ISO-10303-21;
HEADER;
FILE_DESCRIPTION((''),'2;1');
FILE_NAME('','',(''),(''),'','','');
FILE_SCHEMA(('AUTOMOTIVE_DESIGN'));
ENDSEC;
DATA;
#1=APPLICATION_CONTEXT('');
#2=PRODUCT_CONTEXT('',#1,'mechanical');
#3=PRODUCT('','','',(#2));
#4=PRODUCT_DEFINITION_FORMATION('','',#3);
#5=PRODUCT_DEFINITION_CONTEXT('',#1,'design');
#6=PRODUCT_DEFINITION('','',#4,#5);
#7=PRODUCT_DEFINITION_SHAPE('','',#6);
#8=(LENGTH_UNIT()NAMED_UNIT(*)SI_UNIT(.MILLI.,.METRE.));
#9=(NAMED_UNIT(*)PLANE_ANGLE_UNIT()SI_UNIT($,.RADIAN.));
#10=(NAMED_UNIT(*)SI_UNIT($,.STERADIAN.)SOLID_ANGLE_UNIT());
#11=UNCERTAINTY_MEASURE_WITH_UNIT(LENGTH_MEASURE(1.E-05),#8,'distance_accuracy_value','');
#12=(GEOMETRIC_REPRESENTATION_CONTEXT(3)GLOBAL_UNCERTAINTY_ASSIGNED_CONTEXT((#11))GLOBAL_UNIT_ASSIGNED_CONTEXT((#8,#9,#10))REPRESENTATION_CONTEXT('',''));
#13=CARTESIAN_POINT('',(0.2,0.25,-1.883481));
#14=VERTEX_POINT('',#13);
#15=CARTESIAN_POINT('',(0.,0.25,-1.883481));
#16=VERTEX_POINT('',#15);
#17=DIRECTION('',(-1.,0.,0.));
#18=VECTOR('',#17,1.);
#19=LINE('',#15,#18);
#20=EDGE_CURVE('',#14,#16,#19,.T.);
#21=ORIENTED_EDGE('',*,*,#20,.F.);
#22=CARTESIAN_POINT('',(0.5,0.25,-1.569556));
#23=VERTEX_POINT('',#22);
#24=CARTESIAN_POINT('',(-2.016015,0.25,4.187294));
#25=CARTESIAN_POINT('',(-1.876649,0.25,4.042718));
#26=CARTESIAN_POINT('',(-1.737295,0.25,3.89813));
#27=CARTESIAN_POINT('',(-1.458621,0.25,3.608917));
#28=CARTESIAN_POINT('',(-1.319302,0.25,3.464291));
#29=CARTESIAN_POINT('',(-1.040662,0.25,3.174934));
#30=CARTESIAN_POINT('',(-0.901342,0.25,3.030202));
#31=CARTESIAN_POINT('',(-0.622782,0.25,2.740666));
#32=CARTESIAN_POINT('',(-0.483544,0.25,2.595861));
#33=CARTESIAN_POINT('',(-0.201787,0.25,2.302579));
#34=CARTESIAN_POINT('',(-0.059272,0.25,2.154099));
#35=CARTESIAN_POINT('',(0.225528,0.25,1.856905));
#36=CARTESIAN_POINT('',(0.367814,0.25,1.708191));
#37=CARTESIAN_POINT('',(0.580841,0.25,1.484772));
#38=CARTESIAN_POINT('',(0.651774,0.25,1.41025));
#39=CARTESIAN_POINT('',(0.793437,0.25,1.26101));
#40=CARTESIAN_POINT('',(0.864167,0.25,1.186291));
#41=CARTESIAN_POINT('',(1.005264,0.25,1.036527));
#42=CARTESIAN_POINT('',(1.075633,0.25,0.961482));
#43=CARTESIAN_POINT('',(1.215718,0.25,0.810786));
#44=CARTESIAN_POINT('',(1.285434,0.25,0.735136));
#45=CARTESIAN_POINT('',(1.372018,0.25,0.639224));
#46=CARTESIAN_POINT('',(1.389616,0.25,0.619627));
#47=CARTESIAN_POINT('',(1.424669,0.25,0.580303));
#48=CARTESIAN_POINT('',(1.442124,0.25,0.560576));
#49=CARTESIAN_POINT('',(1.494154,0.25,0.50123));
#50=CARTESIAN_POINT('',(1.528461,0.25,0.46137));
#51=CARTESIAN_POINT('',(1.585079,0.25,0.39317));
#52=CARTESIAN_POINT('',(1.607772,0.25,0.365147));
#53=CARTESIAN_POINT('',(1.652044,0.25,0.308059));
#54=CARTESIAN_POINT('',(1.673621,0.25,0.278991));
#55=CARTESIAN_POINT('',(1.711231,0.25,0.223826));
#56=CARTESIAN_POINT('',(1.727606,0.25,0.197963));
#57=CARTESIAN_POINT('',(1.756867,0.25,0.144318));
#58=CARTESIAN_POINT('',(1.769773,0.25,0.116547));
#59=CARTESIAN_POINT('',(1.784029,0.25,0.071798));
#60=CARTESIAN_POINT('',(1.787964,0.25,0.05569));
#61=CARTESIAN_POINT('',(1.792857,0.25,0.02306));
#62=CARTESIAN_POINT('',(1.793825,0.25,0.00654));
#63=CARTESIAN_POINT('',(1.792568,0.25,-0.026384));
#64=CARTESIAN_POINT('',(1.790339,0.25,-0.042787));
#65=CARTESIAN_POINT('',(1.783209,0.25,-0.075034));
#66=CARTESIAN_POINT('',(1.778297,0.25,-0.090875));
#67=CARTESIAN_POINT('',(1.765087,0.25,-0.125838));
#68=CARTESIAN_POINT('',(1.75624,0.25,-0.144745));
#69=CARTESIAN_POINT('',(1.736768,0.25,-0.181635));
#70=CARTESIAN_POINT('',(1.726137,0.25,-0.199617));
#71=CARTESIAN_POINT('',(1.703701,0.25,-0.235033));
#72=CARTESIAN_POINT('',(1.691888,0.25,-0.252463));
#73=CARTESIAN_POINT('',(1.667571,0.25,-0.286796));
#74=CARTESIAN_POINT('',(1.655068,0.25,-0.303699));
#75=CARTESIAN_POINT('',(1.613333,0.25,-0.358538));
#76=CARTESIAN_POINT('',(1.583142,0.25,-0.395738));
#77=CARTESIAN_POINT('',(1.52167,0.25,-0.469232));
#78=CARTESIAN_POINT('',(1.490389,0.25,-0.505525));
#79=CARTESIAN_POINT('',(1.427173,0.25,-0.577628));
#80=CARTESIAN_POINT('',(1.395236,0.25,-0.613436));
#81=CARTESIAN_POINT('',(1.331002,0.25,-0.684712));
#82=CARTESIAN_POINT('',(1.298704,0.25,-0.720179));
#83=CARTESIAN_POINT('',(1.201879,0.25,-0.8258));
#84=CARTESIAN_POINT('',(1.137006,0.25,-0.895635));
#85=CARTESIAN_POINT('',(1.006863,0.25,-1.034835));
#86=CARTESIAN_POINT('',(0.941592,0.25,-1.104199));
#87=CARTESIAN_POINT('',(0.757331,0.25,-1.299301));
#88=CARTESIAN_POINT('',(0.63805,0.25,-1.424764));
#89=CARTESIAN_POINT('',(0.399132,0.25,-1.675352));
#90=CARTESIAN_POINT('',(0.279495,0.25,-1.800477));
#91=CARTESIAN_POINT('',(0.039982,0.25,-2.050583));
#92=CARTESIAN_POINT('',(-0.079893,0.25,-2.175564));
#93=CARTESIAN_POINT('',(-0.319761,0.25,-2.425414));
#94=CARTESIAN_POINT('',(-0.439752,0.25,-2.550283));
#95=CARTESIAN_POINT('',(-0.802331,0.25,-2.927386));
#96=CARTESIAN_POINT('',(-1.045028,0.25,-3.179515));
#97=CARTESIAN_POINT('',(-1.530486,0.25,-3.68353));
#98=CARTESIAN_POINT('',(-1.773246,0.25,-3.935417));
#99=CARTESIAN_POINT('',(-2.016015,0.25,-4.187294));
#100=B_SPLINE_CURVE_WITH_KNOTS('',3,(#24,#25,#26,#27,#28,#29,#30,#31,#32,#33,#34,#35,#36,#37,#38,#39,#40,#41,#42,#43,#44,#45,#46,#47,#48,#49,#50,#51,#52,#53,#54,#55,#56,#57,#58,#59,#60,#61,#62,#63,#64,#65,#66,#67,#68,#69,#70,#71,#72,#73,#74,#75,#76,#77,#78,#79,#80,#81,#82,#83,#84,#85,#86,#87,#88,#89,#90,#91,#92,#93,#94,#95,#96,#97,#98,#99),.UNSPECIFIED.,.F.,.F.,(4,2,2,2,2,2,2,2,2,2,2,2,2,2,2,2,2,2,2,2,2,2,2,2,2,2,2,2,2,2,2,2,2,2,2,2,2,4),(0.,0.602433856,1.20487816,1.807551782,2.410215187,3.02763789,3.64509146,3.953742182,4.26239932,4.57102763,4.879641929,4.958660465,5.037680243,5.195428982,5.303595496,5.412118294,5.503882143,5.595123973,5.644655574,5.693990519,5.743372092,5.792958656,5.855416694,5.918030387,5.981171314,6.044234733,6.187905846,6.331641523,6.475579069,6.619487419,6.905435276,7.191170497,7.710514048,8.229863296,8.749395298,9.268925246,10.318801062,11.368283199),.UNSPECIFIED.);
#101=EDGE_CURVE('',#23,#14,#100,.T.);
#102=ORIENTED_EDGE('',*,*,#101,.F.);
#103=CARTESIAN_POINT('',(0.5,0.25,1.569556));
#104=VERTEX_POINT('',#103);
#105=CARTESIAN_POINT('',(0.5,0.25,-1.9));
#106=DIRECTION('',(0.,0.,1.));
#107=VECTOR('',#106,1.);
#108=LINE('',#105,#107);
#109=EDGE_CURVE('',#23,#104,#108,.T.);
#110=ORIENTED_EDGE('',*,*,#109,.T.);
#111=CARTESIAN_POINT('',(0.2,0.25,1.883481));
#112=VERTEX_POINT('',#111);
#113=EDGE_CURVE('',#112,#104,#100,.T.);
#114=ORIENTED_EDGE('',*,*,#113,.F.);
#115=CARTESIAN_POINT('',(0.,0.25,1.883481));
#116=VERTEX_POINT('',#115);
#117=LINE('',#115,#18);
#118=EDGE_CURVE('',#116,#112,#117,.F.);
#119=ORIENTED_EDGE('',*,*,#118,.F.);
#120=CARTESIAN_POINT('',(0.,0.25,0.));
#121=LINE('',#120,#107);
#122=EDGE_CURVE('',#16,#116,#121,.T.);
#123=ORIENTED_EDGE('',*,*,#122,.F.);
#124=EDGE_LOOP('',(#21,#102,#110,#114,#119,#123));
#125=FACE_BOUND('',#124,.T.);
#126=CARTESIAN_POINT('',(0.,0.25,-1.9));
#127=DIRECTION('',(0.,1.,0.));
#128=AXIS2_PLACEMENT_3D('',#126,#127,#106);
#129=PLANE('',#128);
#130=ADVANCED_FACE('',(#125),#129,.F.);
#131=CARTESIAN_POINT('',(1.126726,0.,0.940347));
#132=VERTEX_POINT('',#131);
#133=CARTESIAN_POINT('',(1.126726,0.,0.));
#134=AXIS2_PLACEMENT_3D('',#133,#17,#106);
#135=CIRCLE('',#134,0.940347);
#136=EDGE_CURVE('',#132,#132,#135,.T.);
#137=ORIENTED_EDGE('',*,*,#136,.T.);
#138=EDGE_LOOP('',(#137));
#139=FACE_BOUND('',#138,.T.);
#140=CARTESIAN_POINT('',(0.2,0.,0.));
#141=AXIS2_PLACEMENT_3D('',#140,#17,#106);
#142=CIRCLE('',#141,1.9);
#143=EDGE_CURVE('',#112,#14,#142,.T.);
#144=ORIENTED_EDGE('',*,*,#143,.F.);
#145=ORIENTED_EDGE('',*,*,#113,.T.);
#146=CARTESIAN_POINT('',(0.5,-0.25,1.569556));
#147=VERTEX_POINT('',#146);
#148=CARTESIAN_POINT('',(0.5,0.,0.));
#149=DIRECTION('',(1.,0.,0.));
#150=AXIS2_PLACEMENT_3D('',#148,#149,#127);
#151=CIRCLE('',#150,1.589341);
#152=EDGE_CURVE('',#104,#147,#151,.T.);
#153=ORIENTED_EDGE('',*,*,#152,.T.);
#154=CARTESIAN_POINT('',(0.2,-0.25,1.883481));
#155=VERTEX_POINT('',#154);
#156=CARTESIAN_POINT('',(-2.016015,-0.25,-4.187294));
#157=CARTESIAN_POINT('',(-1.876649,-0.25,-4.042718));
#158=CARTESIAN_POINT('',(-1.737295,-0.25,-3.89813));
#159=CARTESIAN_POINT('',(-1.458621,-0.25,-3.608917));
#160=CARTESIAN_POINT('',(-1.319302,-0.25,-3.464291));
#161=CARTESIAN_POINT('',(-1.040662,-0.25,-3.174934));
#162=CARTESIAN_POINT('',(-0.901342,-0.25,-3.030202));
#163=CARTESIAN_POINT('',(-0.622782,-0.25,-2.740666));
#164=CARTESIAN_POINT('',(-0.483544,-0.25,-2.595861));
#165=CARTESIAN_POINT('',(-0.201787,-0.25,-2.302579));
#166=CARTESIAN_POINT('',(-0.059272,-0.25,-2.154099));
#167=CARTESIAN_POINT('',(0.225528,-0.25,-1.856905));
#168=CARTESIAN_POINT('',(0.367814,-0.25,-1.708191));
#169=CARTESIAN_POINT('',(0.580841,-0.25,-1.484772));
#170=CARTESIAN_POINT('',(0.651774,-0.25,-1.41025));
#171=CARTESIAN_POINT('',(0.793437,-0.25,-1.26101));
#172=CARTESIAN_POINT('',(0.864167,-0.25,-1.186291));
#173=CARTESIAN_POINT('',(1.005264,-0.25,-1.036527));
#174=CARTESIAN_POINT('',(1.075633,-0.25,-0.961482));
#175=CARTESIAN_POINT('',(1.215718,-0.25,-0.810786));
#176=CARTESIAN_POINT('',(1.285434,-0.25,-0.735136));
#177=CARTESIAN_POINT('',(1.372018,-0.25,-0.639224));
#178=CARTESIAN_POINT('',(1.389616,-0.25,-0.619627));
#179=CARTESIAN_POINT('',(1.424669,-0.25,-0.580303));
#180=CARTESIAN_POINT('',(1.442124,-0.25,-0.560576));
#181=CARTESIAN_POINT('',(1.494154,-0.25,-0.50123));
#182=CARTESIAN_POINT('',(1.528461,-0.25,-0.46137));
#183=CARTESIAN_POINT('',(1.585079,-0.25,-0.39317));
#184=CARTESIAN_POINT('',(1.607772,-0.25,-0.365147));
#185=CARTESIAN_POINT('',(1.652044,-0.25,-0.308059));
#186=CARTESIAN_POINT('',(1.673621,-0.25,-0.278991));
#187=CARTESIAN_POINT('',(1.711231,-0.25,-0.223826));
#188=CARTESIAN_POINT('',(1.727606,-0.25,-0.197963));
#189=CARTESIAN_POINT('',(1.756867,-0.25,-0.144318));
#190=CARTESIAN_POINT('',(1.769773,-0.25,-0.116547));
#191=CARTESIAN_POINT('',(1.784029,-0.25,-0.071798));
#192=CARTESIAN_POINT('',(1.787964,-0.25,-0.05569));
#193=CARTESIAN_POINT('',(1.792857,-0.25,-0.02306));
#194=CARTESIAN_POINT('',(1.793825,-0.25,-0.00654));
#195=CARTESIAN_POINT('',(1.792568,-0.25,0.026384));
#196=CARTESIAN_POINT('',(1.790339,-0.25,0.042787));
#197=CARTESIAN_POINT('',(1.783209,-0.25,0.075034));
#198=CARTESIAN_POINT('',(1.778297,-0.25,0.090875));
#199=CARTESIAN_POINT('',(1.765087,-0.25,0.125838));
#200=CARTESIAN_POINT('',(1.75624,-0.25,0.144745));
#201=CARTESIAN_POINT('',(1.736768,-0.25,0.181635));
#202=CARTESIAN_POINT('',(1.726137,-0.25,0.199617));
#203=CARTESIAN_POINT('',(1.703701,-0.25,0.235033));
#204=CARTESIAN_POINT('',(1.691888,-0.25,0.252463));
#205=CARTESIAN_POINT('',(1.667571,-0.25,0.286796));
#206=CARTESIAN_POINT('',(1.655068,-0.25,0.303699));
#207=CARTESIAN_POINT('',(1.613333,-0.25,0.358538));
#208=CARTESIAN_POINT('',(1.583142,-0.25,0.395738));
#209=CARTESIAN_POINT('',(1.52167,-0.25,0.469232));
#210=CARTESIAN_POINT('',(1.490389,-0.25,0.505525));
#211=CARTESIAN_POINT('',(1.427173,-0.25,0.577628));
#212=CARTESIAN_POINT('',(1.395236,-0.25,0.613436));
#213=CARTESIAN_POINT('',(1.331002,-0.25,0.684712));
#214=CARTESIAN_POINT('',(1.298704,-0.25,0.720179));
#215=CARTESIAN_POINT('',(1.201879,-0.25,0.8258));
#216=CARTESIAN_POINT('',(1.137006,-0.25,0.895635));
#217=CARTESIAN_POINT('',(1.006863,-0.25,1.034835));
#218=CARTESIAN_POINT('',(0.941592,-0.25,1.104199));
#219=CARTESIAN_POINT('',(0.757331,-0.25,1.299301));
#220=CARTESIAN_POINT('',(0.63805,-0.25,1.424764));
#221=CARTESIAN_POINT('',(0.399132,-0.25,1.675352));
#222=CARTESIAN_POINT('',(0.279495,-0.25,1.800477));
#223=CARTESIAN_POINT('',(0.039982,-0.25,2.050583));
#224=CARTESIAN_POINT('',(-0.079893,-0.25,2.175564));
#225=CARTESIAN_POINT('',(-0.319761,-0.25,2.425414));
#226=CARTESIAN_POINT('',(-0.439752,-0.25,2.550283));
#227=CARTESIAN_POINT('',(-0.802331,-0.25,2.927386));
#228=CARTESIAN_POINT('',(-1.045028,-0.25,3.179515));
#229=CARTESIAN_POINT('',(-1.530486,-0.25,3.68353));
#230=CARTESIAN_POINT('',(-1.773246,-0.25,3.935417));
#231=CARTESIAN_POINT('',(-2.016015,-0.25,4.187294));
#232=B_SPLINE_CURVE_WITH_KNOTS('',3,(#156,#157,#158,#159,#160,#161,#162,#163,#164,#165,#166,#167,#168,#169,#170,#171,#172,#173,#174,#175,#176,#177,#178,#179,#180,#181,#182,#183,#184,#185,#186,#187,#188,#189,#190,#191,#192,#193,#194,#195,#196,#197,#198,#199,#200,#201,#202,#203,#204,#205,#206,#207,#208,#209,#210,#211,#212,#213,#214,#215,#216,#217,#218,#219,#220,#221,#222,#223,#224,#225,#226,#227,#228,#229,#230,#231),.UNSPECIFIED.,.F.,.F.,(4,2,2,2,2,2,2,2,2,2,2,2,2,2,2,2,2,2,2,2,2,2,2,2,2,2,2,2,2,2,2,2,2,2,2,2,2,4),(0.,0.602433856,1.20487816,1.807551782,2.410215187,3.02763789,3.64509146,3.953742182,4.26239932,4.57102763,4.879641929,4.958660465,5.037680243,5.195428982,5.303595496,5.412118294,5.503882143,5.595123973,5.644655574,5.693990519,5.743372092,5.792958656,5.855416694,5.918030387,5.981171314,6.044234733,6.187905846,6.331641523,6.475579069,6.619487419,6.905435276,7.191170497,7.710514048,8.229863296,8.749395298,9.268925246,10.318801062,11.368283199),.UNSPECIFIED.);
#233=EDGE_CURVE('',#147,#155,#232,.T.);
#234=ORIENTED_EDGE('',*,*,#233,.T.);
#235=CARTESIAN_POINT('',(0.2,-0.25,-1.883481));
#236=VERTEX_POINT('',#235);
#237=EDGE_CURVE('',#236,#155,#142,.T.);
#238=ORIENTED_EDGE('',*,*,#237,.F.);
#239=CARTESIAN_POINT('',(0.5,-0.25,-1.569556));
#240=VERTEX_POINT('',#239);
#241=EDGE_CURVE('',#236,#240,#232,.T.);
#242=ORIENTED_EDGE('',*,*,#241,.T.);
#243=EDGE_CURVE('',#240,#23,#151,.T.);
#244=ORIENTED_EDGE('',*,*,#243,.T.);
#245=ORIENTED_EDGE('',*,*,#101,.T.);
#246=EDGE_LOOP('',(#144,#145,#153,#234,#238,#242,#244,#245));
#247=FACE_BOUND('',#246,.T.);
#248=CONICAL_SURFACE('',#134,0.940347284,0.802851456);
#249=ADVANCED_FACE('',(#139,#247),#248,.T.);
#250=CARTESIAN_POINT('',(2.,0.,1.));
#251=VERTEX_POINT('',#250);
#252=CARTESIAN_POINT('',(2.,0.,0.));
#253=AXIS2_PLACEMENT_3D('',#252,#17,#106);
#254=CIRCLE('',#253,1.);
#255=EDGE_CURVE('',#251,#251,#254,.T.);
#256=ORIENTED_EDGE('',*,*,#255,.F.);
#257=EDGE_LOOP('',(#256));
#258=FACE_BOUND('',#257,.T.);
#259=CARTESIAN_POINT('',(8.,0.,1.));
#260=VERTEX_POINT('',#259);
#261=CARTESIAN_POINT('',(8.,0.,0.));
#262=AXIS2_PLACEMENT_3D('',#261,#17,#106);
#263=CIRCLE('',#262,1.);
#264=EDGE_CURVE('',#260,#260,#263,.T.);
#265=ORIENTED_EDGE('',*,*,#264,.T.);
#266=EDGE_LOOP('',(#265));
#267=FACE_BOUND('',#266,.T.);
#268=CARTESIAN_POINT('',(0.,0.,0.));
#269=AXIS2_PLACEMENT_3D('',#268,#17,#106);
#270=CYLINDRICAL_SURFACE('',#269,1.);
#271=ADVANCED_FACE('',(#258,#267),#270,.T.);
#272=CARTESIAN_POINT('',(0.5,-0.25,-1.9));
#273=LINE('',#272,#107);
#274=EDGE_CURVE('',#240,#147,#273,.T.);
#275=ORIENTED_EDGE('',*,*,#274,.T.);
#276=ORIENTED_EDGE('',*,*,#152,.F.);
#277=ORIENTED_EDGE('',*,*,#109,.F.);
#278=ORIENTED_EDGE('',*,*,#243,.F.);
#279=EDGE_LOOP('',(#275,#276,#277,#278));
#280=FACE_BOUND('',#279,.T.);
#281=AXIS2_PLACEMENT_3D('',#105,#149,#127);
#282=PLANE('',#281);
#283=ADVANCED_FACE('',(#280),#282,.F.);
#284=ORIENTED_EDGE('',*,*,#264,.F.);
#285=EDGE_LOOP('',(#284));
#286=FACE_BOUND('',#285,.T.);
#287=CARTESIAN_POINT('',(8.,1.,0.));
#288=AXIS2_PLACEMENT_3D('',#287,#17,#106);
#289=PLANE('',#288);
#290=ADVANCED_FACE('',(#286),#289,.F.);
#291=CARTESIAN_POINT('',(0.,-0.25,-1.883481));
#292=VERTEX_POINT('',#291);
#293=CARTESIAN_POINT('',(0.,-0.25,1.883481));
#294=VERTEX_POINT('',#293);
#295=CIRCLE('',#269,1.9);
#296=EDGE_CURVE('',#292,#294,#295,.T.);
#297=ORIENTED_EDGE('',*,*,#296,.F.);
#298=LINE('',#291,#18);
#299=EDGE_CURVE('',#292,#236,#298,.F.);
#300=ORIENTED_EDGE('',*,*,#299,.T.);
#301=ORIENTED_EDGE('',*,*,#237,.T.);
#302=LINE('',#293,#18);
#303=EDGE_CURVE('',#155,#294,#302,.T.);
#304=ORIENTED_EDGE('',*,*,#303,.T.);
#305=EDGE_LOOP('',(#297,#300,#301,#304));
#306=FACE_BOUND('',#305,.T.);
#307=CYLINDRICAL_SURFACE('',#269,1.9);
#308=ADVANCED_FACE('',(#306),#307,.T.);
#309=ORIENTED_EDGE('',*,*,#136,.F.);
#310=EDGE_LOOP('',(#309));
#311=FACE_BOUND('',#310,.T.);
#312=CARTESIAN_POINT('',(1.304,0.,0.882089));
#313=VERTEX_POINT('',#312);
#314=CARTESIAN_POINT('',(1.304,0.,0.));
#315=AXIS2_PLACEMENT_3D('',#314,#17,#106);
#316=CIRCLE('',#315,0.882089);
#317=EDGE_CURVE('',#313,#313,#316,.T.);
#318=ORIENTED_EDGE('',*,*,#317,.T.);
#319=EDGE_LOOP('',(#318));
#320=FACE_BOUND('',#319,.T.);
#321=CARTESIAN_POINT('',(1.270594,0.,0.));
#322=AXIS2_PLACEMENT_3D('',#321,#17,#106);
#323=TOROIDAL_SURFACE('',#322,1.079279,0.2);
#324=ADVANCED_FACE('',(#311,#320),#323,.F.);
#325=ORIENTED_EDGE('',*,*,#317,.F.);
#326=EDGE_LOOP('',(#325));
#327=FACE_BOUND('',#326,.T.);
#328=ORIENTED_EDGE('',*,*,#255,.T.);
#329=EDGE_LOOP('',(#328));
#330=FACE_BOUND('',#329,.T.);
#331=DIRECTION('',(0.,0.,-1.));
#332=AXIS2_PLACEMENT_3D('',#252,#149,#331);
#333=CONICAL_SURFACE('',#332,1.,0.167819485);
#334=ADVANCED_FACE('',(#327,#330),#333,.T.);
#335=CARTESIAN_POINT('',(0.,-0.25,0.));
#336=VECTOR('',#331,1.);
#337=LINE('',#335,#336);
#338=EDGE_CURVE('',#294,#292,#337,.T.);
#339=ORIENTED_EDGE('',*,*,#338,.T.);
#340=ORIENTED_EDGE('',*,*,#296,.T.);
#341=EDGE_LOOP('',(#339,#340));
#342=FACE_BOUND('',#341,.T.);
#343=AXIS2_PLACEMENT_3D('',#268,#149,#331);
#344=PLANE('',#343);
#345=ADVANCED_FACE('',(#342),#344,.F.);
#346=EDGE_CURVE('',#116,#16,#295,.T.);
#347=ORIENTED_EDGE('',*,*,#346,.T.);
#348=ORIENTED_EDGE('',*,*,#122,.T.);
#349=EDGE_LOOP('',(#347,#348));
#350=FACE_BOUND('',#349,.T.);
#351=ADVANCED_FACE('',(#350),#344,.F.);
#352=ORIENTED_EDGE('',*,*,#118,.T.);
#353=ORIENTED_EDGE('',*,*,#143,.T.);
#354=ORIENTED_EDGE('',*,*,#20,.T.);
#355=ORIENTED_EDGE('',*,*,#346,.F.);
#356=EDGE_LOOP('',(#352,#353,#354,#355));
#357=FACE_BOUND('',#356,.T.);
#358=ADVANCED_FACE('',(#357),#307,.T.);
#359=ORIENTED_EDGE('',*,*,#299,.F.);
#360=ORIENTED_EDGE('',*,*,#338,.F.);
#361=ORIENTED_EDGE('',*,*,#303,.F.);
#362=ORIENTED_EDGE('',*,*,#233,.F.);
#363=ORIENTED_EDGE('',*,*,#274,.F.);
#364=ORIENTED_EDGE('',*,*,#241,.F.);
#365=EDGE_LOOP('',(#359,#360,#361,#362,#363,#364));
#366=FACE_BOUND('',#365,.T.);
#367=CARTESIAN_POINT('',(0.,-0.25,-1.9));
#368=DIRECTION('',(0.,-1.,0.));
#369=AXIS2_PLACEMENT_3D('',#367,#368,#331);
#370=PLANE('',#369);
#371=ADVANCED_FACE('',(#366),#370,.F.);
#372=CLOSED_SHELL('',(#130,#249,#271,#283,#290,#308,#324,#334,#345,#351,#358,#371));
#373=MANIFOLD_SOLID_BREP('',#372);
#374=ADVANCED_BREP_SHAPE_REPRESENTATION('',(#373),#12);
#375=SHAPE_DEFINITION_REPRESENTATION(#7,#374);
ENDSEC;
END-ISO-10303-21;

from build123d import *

# Parameters (mm, degrees)
SKETCH_3_W               = 0.5
SKETCH_3_H               = 0.5
CUT_EXTRUDE_1_DEPTH      = 2.9
CUT_EXTRUDE_1_DEPTH_BACK = 2.9


with BuildPart() as part:
    # Эскиз2 → Повернуть1 (revolve)
    with BuildSketch(Plane.XY):
        with BuildLine():
            Line((0, 0), (0, 1.9))
            Line((0, 1.9), (0.2, 1.9))
            Line((0.2, 1.9), (1.126725855, 0.940347284))
            ThreePointArc((1.126725855, 0.940347284), (1.20815228, 0.889276183), (1.304000388, 0.882088693))
            Line((1.304000388, 0.882088693), (2, 1))
            Line((2, 1), (8, 1))
            Line((8, 1), (8, 0))
            Line((8, 0), (0, 0))
        make_face()
    revolve(axis=Axis((0, 0, 0), (1, 0, 0)))

    # Эскиз3 → Вырез-Вытянуть1 (cut, two sides)
    with BuildSketch(Plane.XY) as cut_extrude_1_sk:
        with Locations((0.25, 0)):
            Rectangle(SKETCH_3_W, SKETCH_3_H)
    extrude(amount=CUT_EXTRUDE_1_DEPTH, mode=Mode.SUBTRACT)
    extrude(cut_extrude_1_sk.sketch, amount=-CUT_EXTRUDE_1_DEPTH_BACK, mode=Mode.SUBTRACT)


solid = part.part
